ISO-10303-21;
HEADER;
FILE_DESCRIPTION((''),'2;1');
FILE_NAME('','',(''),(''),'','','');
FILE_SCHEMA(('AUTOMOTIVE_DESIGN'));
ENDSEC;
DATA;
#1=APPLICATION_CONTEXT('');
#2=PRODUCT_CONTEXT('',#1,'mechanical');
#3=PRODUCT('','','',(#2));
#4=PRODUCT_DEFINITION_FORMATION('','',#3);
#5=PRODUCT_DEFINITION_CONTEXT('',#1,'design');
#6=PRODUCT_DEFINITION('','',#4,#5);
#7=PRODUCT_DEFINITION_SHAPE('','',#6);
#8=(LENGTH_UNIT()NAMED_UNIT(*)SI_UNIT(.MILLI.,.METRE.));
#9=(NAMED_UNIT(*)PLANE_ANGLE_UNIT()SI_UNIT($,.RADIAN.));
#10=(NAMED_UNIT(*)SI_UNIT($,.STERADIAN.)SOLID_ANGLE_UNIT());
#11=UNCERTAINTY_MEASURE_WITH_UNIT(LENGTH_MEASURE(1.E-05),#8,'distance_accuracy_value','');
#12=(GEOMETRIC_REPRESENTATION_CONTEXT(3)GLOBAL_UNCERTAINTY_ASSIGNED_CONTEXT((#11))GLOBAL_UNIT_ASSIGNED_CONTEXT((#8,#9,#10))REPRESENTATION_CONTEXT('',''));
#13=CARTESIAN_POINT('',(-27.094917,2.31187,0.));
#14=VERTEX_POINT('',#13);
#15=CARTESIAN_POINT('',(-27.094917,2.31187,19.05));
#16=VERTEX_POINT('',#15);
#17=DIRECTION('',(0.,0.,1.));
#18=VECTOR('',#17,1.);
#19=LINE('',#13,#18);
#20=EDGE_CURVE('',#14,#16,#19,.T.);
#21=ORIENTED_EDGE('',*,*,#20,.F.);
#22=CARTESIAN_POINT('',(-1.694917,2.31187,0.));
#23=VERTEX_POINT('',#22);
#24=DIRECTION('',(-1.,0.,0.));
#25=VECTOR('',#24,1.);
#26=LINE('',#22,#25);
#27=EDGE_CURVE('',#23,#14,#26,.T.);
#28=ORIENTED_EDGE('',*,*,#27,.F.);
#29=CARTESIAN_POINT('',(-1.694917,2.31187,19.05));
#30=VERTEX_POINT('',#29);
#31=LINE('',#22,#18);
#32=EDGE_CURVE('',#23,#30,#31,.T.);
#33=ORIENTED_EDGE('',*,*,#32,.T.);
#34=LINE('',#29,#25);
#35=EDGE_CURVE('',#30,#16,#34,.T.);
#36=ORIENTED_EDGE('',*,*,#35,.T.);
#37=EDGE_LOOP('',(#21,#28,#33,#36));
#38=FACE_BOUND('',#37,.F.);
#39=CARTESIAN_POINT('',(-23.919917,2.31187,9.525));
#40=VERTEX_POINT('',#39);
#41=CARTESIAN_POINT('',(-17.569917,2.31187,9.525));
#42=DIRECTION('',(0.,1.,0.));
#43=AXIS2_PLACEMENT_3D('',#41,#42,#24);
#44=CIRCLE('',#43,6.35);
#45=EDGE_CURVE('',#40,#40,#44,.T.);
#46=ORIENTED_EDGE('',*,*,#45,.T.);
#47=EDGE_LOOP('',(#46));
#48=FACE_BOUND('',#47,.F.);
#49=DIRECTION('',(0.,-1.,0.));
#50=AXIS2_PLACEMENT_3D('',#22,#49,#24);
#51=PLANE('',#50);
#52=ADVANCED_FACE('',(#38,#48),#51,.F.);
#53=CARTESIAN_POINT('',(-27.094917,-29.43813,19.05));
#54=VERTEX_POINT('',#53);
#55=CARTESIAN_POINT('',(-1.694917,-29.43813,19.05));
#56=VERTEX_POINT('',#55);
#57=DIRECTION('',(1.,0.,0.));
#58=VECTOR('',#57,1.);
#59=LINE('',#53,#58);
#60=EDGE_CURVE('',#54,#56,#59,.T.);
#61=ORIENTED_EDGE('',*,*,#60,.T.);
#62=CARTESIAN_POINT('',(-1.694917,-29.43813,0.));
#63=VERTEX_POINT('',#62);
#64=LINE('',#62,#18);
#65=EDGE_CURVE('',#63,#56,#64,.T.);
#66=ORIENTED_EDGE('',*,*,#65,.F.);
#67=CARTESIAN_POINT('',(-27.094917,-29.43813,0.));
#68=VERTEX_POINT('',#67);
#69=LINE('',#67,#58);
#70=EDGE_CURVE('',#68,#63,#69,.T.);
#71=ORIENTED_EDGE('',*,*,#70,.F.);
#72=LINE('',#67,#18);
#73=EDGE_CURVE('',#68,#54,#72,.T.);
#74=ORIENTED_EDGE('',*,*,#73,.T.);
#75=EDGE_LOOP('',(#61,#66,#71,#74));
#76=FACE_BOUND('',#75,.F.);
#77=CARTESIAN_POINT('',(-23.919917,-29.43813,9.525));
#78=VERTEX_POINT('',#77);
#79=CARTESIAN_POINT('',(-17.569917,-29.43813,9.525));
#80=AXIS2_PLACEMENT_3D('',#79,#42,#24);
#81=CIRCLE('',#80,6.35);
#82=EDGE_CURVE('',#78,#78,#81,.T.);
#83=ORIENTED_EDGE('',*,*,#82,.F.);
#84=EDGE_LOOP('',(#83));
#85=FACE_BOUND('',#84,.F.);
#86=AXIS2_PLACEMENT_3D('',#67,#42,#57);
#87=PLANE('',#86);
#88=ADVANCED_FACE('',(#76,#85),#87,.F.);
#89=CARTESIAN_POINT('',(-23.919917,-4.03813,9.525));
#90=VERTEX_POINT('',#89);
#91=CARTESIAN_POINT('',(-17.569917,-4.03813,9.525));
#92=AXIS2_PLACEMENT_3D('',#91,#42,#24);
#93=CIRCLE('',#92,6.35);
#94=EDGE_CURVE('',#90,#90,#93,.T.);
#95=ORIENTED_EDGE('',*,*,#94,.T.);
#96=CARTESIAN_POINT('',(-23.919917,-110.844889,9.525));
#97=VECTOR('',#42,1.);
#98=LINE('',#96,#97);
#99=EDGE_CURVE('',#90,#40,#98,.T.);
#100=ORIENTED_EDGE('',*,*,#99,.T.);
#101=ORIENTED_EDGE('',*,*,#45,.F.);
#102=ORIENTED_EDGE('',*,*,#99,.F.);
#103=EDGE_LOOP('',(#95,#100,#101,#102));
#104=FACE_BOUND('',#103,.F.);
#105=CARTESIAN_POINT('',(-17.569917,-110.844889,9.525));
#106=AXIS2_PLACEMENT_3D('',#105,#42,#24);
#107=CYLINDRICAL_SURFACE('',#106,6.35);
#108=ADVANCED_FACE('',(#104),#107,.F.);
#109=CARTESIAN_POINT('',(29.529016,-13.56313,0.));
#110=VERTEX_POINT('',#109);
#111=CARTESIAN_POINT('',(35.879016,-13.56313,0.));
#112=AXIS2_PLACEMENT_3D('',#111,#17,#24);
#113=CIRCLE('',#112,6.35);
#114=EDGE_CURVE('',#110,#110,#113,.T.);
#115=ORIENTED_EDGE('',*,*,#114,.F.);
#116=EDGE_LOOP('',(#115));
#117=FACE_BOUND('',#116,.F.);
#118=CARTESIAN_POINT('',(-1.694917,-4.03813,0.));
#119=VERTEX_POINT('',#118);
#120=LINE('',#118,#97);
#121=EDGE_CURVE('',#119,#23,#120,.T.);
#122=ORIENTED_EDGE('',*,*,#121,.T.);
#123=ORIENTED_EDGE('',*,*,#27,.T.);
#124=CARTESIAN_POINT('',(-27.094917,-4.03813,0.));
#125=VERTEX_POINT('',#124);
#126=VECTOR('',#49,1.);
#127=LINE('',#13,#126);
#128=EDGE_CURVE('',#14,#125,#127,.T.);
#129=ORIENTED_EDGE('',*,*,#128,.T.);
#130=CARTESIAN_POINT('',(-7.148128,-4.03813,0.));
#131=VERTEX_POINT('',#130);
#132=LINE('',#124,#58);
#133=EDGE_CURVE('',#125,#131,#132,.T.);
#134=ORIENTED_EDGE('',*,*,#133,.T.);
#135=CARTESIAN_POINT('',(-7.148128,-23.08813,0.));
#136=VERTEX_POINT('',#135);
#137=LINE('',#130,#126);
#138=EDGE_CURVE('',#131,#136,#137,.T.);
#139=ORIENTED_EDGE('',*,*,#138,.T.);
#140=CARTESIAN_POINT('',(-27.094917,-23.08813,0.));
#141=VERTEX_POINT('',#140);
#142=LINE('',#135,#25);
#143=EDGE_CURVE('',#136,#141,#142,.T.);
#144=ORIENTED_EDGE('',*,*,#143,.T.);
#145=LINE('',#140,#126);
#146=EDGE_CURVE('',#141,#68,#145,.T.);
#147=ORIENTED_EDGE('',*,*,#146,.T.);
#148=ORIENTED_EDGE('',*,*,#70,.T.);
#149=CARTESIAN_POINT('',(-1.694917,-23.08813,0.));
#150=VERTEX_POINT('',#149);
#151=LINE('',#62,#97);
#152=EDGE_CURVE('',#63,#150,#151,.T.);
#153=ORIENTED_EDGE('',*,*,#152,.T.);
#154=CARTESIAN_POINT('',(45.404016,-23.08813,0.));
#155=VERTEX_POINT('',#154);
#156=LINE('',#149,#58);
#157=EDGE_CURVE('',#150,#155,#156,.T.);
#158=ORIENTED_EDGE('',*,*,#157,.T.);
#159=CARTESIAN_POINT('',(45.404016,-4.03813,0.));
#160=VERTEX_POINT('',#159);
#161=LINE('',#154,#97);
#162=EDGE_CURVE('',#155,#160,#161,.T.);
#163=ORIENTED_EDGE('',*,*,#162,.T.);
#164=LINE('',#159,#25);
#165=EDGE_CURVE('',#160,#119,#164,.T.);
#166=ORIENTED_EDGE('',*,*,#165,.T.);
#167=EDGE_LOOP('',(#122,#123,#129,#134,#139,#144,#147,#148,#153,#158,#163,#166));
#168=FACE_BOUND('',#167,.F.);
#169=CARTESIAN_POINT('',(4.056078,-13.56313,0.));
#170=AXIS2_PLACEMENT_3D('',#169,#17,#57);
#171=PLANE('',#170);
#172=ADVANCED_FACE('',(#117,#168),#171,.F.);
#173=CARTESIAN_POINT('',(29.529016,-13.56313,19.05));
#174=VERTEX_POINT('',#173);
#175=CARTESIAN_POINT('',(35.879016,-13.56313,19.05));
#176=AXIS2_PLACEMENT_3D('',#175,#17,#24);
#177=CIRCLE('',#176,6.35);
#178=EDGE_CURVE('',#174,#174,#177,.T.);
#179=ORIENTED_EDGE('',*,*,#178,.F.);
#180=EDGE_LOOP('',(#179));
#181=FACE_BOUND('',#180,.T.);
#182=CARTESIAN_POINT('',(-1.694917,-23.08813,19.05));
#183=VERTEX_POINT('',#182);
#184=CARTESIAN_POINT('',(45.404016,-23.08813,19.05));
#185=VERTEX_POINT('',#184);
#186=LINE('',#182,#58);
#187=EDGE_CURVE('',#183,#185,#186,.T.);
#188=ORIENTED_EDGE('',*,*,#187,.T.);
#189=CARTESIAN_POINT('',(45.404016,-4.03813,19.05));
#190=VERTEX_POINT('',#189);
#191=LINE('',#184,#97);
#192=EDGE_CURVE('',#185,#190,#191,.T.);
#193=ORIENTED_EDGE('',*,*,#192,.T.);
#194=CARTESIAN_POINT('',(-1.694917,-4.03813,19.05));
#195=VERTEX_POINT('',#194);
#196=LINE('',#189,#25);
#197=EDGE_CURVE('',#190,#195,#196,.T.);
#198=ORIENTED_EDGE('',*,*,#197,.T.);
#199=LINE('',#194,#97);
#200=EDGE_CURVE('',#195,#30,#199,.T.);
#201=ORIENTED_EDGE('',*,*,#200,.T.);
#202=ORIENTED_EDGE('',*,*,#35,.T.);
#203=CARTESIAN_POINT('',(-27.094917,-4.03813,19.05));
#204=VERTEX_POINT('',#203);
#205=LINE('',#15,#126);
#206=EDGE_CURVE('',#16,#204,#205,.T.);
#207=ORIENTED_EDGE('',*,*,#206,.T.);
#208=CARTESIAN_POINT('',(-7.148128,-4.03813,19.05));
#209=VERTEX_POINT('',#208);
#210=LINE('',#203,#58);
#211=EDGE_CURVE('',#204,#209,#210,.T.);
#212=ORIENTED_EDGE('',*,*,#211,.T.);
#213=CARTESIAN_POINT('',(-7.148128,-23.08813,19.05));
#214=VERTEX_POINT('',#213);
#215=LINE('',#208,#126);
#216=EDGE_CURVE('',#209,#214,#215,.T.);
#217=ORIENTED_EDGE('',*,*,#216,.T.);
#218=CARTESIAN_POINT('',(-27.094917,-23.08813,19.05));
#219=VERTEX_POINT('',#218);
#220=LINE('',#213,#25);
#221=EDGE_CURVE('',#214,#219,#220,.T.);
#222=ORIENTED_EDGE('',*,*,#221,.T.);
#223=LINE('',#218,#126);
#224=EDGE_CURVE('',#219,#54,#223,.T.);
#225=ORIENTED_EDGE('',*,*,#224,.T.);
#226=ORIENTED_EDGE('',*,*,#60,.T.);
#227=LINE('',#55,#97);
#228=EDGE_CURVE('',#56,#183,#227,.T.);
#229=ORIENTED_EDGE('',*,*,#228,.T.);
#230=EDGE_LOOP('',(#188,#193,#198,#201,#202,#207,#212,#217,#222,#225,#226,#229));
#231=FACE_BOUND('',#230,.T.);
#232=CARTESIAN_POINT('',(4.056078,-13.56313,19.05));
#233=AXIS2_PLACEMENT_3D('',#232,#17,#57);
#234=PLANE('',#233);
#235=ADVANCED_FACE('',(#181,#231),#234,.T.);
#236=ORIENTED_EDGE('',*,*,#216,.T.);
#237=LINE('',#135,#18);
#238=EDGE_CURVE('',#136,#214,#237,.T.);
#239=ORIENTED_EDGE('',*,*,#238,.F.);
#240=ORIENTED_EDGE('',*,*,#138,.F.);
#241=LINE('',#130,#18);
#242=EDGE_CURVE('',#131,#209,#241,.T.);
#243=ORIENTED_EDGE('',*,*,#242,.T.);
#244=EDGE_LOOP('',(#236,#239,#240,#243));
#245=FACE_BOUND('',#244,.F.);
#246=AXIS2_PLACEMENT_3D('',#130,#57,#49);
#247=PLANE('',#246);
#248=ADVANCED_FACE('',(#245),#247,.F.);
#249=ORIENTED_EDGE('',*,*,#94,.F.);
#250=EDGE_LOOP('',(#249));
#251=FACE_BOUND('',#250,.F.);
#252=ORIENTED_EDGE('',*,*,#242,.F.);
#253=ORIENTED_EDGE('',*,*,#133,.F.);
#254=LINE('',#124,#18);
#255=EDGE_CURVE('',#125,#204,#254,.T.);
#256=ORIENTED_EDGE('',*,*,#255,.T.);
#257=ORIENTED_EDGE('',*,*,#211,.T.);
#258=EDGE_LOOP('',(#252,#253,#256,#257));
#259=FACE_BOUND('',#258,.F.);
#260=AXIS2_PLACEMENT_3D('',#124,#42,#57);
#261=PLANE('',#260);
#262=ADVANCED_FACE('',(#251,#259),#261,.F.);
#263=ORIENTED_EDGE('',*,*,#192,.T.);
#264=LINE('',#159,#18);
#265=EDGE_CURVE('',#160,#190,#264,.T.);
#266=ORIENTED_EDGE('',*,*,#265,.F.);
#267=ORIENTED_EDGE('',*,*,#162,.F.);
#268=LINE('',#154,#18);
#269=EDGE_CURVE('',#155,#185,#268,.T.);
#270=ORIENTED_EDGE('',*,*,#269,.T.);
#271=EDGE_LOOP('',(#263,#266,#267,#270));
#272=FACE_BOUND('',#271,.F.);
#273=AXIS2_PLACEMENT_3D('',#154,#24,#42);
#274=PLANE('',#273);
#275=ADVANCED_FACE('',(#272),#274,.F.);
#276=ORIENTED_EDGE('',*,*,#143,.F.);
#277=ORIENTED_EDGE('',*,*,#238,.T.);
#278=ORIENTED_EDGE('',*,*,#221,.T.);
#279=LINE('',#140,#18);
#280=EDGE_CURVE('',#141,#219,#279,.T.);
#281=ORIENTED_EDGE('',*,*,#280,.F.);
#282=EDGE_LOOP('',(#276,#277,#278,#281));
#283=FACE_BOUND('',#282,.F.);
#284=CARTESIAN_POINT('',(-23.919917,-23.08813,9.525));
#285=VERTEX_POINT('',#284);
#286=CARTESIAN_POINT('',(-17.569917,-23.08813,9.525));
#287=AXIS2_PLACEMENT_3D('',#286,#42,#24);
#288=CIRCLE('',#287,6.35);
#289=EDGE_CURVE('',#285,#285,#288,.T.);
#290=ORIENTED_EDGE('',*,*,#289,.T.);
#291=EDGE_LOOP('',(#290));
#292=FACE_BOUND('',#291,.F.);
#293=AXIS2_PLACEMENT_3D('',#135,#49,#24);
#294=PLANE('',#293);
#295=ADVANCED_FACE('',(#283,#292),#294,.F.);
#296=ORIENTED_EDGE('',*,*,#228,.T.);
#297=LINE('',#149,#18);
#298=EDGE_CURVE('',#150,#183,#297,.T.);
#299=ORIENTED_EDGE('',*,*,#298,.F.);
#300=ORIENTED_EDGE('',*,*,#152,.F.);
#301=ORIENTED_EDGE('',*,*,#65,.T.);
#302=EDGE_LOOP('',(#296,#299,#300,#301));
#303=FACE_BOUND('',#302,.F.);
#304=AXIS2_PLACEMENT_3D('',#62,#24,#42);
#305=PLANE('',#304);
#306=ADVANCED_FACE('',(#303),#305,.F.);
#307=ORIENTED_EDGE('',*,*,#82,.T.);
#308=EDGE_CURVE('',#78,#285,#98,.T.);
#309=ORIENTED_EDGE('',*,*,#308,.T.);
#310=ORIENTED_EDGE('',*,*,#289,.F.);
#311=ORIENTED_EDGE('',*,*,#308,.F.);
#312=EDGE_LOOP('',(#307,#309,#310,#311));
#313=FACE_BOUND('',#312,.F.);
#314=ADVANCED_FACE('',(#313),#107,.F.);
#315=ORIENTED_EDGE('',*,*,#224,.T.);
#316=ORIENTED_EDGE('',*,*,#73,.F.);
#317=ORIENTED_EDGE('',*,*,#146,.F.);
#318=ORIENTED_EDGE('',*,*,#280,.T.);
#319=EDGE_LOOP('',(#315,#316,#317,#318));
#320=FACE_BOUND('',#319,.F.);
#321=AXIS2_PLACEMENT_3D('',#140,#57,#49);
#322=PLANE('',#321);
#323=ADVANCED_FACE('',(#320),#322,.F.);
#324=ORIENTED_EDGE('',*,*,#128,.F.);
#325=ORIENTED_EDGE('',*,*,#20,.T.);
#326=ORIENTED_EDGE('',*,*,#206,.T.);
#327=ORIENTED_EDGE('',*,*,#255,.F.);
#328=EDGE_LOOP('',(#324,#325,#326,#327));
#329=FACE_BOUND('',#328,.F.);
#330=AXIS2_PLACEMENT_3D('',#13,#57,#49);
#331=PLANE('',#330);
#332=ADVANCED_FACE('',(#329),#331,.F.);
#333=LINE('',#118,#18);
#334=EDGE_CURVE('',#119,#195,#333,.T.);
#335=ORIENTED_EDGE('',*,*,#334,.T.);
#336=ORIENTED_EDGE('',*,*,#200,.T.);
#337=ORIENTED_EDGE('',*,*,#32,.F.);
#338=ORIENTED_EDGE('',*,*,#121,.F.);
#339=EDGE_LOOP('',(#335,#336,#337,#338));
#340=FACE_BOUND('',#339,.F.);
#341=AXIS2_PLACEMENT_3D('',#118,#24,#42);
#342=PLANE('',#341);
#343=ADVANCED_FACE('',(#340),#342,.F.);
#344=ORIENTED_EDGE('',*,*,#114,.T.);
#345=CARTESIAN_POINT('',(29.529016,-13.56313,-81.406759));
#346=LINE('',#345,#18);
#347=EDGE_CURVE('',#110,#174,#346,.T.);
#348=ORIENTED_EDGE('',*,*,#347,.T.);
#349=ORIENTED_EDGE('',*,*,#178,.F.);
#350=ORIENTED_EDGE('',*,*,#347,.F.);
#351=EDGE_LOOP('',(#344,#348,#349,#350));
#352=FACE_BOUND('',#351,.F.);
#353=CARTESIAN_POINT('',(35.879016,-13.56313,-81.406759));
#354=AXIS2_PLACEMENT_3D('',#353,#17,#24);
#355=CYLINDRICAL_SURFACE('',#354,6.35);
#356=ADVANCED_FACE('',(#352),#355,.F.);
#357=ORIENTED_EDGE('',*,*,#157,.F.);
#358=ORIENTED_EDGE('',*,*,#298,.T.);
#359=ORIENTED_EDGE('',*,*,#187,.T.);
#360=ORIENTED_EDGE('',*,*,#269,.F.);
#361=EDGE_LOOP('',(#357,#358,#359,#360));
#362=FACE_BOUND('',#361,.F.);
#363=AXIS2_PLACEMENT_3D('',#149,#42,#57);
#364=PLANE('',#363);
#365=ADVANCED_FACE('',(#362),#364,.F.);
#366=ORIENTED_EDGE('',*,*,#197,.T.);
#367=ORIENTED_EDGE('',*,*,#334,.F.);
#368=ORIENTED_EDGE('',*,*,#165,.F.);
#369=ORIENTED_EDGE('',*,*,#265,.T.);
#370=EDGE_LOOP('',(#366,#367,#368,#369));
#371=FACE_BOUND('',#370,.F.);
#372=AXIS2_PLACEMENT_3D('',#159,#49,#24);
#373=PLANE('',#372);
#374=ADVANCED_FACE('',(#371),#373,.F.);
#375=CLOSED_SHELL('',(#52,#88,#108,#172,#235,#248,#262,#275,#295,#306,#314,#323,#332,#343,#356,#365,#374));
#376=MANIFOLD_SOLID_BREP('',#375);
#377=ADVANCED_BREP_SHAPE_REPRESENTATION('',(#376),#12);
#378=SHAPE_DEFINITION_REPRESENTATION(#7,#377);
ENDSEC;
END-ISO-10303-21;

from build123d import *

# Parameters (mm, degrees)
F1_DEPTH = 19.05
F3_D     = 12.7
F5_D     = 12.7


with BuildPart() as f1:
    # F0 (on Top) → F1 (new body)
    with BuildSketch(Plane.XY):
        Polygon((45.4040161939, -4.0381300203), (-1.6949172365, -4.0381300203), (-1.6949172365, 2.3118699797), (-27.0949172365, 2.3118699797), (-27.0949172365, -4.0381300203), (-7.1481281937, -4.0381300203), (-7.1481281937, -23.0881300203), (-27.0949172365, -23.0881300203), (-27.0949172365, -29.4381300203), (-1.6949172365, -29.4381300203), (-1.6949172365, -23.0881300203), (45.4040161939, -23.0881300203), align=None)
    extrude(amount=F1_DEPTH)

    # F3 (through all)
    with Locations(Plane.XZ.offset(29.4381300203)):
        with Locations((-17.5699172365, 9.525)):
            Hole(F3_D / 2)

    # F5 (through all)
    with Locations(Plane(origin=(0, 0, 0), x_dir=(1, 0, 0), z_dir=(0, 0, -1))):
        with Locations((35.8790161939, 13.5631300203)):
            Hole(F5_D / 2)


solid = f1.part
